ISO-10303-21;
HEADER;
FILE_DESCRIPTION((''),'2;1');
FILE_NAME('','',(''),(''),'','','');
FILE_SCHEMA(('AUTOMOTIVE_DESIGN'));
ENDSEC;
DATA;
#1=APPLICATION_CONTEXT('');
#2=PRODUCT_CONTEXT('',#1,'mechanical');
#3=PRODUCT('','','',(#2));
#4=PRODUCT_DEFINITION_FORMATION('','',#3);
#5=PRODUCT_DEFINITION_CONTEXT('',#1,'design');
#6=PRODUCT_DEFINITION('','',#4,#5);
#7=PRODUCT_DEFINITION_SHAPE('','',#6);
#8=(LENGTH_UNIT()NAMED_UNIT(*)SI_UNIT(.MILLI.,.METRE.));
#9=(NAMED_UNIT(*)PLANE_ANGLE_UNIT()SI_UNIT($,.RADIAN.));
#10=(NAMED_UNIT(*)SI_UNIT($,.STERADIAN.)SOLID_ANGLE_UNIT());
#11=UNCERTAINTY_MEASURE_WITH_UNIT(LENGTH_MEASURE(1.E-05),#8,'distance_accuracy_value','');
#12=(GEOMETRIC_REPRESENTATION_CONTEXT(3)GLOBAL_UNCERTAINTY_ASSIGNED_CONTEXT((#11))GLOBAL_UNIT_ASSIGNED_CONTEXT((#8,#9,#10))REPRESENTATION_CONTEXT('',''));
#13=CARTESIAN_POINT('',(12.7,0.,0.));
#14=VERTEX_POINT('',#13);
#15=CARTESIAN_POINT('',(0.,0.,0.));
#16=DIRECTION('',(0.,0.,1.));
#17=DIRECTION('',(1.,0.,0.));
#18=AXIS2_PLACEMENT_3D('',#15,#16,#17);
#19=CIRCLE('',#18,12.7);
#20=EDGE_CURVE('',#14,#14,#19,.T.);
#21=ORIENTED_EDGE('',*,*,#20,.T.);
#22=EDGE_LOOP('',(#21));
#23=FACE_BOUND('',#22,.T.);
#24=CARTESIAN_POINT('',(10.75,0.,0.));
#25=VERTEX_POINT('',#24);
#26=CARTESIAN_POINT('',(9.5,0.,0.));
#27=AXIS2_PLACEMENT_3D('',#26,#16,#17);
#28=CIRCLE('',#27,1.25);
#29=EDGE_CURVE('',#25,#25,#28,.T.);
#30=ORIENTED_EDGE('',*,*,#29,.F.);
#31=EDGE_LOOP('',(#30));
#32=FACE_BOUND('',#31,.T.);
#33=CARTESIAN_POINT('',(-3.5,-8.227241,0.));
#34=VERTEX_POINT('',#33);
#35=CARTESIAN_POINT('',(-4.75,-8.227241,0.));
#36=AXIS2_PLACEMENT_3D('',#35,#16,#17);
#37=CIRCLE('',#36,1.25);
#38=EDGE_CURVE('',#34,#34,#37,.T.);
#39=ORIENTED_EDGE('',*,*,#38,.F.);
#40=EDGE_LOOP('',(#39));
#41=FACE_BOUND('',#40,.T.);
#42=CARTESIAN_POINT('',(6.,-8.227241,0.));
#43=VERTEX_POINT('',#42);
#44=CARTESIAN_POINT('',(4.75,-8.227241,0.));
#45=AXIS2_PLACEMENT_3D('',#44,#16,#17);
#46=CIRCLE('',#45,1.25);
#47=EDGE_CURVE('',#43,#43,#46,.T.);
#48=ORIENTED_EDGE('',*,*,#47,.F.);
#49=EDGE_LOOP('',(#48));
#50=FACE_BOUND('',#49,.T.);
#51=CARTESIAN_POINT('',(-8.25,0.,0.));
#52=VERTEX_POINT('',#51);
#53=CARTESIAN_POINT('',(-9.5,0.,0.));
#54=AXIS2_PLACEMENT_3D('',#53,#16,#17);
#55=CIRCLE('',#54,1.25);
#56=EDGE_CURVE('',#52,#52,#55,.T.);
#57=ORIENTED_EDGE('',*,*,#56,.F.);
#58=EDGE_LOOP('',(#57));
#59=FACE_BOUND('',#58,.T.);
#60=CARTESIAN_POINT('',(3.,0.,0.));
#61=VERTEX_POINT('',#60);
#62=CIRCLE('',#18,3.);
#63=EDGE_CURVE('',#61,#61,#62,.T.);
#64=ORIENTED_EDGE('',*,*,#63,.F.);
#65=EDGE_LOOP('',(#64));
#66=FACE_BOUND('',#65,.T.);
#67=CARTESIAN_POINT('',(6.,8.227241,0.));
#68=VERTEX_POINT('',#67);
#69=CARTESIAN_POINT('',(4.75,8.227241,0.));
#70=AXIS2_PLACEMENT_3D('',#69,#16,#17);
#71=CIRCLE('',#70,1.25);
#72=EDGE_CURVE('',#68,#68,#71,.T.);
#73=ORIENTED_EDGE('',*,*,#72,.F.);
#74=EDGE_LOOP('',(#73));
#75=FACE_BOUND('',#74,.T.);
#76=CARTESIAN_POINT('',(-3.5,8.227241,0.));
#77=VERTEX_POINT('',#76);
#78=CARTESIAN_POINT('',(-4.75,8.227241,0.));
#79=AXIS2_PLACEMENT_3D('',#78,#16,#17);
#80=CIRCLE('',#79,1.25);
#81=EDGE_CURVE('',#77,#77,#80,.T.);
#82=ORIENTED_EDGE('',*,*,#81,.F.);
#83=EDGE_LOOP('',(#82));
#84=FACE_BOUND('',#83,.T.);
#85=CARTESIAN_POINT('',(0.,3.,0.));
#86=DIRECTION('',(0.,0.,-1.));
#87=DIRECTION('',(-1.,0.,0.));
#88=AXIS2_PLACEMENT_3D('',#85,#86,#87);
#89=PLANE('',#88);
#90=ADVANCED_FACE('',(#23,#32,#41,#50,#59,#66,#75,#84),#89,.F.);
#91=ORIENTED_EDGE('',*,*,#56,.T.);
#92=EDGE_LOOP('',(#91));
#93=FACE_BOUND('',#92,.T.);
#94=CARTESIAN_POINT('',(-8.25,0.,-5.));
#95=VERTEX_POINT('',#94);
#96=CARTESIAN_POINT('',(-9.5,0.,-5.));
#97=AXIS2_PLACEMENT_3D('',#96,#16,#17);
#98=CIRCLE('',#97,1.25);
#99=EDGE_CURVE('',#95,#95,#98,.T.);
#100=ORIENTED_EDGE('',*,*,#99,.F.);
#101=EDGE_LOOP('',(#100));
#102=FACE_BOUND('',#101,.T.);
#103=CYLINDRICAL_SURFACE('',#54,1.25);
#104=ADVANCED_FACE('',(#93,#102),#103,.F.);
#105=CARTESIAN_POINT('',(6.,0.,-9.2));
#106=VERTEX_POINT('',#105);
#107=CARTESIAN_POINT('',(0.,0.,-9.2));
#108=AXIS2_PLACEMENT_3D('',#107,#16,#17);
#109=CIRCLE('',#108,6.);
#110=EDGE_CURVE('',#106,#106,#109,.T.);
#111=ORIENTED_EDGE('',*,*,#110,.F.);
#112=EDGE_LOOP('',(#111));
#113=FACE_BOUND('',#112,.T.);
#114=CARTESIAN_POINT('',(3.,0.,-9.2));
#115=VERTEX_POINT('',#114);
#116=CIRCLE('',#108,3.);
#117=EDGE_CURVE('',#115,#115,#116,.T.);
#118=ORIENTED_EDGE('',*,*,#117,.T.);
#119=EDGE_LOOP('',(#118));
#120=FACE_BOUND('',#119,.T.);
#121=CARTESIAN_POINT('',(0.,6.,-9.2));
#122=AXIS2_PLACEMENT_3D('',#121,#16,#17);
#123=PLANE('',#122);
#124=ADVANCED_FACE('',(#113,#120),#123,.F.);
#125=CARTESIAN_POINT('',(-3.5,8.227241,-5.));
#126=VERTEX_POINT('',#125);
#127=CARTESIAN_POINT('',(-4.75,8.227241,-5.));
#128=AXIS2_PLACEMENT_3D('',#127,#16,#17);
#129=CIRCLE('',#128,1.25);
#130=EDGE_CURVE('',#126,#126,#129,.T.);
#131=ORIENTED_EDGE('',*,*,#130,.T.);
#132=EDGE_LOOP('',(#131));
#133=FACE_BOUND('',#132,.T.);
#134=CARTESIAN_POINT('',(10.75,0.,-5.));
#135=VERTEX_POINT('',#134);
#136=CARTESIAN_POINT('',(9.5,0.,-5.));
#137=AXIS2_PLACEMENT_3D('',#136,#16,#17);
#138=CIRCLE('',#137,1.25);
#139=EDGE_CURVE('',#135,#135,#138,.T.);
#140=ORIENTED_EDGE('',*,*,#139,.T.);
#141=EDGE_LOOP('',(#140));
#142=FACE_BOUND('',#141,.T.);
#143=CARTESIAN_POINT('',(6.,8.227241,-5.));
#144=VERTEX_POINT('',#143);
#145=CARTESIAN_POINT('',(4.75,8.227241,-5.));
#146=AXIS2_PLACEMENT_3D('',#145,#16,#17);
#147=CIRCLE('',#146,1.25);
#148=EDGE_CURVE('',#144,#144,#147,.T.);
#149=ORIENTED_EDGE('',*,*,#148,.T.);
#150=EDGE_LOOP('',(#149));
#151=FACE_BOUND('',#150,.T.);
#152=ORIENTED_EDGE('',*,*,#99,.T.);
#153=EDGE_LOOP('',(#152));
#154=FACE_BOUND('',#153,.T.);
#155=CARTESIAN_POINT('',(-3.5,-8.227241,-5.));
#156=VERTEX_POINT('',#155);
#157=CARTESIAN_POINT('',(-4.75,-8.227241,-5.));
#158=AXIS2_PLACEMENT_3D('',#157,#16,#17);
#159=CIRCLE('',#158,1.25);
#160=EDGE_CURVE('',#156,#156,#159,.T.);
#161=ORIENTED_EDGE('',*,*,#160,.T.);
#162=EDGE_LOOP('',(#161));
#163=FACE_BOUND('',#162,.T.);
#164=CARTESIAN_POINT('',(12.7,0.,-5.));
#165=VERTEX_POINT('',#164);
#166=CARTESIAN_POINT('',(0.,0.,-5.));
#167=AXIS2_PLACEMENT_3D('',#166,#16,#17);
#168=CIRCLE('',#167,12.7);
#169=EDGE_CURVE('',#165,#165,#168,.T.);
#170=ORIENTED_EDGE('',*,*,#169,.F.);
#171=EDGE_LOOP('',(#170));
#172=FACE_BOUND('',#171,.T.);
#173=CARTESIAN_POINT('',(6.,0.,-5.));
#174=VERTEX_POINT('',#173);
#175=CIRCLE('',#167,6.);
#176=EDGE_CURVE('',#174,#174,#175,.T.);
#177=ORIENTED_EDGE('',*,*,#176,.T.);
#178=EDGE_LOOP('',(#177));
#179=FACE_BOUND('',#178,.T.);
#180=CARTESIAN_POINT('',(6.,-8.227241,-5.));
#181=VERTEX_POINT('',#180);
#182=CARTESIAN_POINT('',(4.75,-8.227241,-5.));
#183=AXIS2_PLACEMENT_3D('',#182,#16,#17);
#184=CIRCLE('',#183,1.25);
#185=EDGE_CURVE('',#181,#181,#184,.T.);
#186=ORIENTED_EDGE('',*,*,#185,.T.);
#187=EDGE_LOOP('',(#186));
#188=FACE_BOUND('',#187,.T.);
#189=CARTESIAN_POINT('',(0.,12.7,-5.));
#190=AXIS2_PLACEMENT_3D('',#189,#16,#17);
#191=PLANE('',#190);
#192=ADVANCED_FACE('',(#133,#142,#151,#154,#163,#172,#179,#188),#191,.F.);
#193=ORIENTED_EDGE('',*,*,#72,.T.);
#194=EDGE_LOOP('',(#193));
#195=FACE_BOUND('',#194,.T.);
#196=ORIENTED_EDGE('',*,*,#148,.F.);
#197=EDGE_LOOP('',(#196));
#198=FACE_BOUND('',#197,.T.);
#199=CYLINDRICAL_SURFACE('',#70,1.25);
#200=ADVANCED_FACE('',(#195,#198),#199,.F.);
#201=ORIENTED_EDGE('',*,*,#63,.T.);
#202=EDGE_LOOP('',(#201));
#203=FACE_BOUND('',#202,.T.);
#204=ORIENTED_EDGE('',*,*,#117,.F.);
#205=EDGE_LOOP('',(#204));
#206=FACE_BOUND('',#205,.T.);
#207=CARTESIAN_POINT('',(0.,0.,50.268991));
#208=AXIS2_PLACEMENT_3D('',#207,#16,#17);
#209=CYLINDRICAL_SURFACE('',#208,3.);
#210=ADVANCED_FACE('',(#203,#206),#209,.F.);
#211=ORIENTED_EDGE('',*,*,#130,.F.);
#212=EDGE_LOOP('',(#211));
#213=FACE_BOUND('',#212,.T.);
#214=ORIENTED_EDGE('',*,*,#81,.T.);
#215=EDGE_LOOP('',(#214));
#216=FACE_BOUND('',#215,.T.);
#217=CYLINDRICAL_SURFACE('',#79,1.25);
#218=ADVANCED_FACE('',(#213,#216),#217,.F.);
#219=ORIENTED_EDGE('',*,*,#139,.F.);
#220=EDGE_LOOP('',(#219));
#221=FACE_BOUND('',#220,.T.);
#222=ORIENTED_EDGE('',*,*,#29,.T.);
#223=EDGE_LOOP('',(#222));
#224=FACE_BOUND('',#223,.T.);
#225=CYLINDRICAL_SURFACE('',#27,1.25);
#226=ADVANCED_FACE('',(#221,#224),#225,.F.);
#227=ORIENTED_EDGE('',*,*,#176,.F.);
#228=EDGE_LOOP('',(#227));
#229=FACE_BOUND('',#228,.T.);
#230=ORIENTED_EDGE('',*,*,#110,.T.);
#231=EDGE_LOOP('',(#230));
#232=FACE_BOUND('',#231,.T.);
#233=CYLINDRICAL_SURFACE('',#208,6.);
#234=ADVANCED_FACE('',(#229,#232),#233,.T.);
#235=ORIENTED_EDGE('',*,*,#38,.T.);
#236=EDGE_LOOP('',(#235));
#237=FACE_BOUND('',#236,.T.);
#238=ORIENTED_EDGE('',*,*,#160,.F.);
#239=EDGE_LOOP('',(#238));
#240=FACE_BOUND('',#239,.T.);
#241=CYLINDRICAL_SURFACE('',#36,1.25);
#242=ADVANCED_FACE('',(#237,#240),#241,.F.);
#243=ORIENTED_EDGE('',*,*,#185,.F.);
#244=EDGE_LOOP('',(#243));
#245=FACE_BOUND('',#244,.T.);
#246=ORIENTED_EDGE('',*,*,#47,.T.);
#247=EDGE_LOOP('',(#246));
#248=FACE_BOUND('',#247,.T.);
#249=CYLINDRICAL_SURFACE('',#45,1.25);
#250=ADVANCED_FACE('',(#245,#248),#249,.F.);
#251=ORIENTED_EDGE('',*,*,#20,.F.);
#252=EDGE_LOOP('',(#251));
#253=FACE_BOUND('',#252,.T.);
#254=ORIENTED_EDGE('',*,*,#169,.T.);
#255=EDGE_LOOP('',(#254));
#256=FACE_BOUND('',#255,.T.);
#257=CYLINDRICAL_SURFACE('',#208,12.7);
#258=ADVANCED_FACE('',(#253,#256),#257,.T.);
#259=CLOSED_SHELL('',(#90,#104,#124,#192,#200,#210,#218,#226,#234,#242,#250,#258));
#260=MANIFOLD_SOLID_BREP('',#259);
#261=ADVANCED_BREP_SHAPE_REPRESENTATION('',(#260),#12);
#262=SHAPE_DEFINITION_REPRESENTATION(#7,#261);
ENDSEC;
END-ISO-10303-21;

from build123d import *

# Parameters (mm, degrees)
TAP_DRILL_FOR_M3X0_5_TAP1_D     = 2.5
TAP_DRILL_FOR_M3X0_5_TAP1_DEPTH = 10
TAP_DRILL_FOR_M3X0_5_TAP1_TIP   = 0.751075774


with BuildPart() as part:
    # Sketch1 → Revolve1 (revolve)
    with BuildSketch(Plane(origin=(0, 0, 0), x_dir=(0, 0, -1), z_dir=(1, 0, 0))):
        Polygon((0, 3), (0, 12.7), (5, 12.7), (5, 6), (9.2, 6), (9.2, 3), align=None)
    revolve(axis=Axis((0, 0, 50.268991478), (0, 0, -1)))

    # Tap Drill for M3x0.5 Tap1
    with Locations(Plane.XY):
        with Locations((-4.75, 8.227241336), (4.75, 8.227241336), (9.5, 0), (4.75, -8.227241336), (-4.75, -8.227241336), (-9.5, 0)):
            Hole(TAP_DRILL_FOR_M3X0_5_TAP1_D / 2, depth=TAP_DRILL_FOR_M3X0_5_TAP1_DEPTH)
            with Locations((0, 0, -(TAP_DRILL_FOR_M3X0_5_TAP1_DEPTH + TAP_DRILL_FOR_M3X0_5_TAP1_TIP / 2))):  # 118° drill point
                Cone(0, TAP_DRILL_FOR_M3X0_5_TAP1_D / 2, TAP_DRILL_FOR_M3X0_5_TAP1_TIP, mode=Mode.SUBTRACT)


solid = part.part
